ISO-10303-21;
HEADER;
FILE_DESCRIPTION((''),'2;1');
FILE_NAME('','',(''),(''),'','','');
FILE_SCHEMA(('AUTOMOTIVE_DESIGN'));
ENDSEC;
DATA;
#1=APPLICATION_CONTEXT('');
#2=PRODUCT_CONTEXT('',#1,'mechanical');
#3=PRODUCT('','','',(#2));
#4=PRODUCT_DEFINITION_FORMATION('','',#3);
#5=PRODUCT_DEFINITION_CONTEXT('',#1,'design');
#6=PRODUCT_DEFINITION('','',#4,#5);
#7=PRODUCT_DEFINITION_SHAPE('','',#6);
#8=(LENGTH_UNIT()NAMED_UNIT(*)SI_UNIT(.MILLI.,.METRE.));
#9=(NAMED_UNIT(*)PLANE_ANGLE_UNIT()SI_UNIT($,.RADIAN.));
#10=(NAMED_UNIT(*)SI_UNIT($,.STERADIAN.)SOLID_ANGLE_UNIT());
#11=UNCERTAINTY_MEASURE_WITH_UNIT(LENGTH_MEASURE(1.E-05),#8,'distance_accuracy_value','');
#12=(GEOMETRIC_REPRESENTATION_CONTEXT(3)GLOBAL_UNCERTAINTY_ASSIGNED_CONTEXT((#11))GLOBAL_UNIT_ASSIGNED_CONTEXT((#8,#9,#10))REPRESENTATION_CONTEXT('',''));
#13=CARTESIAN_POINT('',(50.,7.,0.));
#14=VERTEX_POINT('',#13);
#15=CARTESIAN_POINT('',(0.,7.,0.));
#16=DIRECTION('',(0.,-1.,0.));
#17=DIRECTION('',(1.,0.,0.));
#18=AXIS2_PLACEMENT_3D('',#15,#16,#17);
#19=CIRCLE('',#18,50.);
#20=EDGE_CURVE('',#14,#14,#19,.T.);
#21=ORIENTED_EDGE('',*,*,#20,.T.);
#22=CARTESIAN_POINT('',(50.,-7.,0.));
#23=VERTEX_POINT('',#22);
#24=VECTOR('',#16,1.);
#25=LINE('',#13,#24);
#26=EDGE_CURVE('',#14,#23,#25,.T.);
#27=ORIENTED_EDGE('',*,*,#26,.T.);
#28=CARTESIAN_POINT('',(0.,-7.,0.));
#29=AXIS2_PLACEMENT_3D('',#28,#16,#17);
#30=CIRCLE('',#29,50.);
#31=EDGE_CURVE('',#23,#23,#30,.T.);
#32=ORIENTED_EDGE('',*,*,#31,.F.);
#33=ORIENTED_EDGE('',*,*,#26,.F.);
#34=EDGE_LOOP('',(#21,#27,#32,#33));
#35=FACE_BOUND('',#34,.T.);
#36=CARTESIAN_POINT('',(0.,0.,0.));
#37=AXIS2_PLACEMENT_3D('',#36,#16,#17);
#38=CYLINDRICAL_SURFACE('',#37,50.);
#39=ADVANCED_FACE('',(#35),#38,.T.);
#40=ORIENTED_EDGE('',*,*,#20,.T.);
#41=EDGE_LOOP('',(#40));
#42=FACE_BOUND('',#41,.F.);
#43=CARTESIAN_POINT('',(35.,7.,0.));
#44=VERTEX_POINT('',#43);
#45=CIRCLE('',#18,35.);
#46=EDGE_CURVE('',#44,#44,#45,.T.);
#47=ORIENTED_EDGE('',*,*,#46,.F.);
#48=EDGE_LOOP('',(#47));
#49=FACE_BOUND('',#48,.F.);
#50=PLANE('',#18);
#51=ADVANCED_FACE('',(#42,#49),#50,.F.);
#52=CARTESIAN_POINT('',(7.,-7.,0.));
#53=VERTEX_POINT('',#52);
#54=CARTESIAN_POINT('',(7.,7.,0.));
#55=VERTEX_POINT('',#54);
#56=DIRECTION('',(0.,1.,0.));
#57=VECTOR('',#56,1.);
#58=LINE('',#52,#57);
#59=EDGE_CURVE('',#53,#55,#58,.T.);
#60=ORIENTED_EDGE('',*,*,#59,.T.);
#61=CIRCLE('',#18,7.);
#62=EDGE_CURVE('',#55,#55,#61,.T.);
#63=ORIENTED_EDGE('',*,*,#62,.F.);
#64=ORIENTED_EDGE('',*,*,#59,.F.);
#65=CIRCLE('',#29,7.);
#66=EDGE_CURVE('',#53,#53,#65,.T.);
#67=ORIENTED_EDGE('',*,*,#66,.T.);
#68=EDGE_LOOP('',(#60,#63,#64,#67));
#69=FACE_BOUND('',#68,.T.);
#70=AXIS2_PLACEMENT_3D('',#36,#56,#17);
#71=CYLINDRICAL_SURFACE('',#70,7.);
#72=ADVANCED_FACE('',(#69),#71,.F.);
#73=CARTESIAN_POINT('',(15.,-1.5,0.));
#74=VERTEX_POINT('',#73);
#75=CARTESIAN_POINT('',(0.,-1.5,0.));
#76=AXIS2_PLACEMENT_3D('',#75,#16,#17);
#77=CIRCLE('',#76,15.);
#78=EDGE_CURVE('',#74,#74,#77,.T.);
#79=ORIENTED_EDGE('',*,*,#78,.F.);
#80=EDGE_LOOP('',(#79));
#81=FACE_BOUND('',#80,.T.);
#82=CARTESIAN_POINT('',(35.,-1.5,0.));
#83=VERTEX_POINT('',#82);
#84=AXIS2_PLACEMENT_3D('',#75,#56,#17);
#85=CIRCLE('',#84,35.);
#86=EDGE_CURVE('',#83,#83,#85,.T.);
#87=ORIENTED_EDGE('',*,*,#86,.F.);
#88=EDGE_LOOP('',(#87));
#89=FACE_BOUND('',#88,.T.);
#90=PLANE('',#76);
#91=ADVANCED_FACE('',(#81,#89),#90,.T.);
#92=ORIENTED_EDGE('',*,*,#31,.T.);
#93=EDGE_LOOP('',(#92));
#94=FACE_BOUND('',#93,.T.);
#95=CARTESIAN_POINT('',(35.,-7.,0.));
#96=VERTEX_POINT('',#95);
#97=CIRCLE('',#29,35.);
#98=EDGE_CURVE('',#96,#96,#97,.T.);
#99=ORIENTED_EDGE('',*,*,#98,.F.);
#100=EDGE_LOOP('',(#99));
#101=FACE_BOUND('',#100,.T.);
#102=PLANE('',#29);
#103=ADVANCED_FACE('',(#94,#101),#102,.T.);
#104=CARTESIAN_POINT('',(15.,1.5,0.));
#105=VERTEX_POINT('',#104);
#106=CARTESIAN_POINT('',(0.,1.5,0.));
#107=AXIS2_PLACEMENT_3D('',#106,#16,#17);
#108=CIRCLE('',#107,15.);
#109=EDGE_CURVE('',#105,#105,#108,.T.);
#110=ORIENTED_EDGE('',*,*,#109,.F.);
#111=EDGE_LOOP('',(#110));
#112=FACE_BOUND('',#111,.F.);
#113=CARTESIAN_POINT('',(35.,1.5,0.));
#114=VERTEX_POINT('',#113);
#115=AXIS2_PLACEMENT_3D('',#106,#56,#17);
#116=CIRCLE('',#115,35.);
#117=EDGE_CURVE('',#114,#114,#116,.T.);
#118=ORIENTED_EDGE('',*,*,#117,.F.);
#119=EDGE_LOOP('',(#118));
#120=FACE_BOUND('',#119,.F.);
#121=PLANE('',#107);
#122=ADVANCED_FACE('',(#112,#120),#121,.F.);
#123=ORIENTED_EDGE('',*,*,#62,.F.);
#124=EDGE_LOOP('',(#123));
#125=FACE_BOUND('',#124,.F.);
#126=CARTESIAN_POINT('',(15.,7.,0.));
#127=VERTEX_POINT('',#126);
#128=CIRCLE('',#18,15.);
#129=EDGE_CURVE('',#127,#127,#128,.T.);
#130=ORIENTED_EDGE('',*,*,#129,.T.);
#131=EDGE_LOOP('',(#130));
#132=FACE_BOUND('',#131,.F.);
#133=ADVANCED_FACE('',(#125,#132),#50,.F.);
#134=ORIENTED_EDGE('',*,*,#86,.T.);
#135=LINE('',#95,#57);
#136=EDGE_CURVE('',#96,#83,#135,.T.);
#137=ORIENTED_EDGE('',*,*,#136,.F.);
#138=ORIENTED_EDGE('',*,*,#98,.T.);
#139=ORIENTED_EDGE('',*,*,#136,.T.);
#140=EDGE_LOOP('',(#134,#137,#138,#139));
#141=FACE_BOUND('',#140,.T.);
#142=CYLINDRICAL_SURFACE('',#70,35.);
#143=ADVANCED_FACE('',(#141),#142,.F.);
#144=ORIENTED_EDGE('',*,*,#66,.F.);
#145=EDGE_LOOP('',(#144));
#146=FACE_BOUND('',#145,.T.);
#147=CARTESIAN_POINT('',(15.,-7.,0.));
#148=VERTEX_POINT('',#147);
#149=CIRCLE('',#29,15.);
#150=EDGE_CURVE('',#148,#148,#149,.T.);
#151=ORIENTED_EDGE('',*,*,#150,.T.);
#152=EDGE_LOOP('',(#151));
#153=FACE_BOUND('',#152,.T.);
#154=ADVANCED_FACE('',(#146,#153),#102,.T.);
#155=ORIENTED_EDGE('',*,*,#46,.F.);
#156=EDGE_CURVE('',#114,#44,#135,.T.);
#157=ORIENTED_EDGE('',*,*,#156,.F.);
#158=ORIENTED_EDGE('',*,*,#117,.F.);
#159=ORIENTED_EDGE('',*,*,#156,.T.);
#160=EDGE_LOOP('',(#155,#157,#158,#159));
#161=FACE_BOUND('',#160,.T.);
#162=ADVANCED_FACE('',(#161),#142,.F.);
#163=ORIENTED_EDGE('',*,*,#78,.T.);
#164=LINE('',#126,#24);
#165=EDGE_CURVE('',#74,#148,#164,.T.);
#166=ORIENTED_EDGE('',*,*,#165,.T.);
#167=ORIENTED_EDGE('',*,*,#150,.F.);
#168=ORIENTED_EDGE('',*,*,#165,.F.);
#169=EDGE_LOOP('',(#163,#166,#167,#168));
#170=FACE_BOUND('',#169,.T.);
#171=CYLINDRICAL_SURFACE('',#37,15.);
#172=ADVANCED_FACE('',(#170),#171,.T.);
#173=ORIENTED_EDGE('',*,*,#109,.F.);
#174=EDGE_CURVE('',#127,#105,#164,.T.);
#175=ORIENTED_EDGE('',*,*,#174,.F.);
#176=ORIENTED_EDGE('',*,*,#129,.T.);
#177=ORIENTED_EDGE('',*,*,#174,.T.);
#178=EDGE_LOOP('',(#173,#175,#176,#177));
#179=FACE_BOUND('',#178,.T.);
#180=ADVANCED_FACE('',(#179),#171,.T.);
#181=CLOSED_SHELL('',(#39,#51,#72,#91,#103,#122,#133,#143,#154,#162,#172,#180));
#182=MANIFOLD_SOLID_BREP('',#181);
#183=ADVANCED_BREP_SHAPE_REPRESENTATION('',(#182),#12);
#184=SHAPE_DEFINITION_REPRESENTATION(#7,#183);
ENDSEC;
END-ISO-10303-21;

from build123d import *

# Parameters (mm, degrees)
F0_R     = 35
F0_R_2   = 15
F1_DEPTH = 1.5
F1_TAPER = -3
F0_R_3   = 50
F2_DEPTH = 7
F0_R_4   = 7
F3_DEPTH = 7


with BuildPart() as f1:
    # F0 (on Front) → F1 (new body, symmetric)
    with BuildSketch(Plane.XZ):
        Circle(F0_R)
        Circle(F0_R_2, mode=Mode.SUBTRACT)
    extrude(amount=F1_DEPTH, both=True, taper=F1_TAPER)

    # F0 (on Front) → F2 (join, symmetric)
    with BuildSketch(Plane.XZ):
        Circle(F0_R_3)
        Circle(F0_R, mode=Mode.SUBTRACT)
    extrude(amount=F2_DEPTH, both=True)

    # F0 (on Front) → F3 (join, symmetric)
    with BuildSketch(Plane.XZ):
        Circle(F0_R_2)
        Circle(F0_R_4, mode=Mode.SUBTRACT)
    extrude(amount=F3_DEPTH, both=True)


solid = f1.part
